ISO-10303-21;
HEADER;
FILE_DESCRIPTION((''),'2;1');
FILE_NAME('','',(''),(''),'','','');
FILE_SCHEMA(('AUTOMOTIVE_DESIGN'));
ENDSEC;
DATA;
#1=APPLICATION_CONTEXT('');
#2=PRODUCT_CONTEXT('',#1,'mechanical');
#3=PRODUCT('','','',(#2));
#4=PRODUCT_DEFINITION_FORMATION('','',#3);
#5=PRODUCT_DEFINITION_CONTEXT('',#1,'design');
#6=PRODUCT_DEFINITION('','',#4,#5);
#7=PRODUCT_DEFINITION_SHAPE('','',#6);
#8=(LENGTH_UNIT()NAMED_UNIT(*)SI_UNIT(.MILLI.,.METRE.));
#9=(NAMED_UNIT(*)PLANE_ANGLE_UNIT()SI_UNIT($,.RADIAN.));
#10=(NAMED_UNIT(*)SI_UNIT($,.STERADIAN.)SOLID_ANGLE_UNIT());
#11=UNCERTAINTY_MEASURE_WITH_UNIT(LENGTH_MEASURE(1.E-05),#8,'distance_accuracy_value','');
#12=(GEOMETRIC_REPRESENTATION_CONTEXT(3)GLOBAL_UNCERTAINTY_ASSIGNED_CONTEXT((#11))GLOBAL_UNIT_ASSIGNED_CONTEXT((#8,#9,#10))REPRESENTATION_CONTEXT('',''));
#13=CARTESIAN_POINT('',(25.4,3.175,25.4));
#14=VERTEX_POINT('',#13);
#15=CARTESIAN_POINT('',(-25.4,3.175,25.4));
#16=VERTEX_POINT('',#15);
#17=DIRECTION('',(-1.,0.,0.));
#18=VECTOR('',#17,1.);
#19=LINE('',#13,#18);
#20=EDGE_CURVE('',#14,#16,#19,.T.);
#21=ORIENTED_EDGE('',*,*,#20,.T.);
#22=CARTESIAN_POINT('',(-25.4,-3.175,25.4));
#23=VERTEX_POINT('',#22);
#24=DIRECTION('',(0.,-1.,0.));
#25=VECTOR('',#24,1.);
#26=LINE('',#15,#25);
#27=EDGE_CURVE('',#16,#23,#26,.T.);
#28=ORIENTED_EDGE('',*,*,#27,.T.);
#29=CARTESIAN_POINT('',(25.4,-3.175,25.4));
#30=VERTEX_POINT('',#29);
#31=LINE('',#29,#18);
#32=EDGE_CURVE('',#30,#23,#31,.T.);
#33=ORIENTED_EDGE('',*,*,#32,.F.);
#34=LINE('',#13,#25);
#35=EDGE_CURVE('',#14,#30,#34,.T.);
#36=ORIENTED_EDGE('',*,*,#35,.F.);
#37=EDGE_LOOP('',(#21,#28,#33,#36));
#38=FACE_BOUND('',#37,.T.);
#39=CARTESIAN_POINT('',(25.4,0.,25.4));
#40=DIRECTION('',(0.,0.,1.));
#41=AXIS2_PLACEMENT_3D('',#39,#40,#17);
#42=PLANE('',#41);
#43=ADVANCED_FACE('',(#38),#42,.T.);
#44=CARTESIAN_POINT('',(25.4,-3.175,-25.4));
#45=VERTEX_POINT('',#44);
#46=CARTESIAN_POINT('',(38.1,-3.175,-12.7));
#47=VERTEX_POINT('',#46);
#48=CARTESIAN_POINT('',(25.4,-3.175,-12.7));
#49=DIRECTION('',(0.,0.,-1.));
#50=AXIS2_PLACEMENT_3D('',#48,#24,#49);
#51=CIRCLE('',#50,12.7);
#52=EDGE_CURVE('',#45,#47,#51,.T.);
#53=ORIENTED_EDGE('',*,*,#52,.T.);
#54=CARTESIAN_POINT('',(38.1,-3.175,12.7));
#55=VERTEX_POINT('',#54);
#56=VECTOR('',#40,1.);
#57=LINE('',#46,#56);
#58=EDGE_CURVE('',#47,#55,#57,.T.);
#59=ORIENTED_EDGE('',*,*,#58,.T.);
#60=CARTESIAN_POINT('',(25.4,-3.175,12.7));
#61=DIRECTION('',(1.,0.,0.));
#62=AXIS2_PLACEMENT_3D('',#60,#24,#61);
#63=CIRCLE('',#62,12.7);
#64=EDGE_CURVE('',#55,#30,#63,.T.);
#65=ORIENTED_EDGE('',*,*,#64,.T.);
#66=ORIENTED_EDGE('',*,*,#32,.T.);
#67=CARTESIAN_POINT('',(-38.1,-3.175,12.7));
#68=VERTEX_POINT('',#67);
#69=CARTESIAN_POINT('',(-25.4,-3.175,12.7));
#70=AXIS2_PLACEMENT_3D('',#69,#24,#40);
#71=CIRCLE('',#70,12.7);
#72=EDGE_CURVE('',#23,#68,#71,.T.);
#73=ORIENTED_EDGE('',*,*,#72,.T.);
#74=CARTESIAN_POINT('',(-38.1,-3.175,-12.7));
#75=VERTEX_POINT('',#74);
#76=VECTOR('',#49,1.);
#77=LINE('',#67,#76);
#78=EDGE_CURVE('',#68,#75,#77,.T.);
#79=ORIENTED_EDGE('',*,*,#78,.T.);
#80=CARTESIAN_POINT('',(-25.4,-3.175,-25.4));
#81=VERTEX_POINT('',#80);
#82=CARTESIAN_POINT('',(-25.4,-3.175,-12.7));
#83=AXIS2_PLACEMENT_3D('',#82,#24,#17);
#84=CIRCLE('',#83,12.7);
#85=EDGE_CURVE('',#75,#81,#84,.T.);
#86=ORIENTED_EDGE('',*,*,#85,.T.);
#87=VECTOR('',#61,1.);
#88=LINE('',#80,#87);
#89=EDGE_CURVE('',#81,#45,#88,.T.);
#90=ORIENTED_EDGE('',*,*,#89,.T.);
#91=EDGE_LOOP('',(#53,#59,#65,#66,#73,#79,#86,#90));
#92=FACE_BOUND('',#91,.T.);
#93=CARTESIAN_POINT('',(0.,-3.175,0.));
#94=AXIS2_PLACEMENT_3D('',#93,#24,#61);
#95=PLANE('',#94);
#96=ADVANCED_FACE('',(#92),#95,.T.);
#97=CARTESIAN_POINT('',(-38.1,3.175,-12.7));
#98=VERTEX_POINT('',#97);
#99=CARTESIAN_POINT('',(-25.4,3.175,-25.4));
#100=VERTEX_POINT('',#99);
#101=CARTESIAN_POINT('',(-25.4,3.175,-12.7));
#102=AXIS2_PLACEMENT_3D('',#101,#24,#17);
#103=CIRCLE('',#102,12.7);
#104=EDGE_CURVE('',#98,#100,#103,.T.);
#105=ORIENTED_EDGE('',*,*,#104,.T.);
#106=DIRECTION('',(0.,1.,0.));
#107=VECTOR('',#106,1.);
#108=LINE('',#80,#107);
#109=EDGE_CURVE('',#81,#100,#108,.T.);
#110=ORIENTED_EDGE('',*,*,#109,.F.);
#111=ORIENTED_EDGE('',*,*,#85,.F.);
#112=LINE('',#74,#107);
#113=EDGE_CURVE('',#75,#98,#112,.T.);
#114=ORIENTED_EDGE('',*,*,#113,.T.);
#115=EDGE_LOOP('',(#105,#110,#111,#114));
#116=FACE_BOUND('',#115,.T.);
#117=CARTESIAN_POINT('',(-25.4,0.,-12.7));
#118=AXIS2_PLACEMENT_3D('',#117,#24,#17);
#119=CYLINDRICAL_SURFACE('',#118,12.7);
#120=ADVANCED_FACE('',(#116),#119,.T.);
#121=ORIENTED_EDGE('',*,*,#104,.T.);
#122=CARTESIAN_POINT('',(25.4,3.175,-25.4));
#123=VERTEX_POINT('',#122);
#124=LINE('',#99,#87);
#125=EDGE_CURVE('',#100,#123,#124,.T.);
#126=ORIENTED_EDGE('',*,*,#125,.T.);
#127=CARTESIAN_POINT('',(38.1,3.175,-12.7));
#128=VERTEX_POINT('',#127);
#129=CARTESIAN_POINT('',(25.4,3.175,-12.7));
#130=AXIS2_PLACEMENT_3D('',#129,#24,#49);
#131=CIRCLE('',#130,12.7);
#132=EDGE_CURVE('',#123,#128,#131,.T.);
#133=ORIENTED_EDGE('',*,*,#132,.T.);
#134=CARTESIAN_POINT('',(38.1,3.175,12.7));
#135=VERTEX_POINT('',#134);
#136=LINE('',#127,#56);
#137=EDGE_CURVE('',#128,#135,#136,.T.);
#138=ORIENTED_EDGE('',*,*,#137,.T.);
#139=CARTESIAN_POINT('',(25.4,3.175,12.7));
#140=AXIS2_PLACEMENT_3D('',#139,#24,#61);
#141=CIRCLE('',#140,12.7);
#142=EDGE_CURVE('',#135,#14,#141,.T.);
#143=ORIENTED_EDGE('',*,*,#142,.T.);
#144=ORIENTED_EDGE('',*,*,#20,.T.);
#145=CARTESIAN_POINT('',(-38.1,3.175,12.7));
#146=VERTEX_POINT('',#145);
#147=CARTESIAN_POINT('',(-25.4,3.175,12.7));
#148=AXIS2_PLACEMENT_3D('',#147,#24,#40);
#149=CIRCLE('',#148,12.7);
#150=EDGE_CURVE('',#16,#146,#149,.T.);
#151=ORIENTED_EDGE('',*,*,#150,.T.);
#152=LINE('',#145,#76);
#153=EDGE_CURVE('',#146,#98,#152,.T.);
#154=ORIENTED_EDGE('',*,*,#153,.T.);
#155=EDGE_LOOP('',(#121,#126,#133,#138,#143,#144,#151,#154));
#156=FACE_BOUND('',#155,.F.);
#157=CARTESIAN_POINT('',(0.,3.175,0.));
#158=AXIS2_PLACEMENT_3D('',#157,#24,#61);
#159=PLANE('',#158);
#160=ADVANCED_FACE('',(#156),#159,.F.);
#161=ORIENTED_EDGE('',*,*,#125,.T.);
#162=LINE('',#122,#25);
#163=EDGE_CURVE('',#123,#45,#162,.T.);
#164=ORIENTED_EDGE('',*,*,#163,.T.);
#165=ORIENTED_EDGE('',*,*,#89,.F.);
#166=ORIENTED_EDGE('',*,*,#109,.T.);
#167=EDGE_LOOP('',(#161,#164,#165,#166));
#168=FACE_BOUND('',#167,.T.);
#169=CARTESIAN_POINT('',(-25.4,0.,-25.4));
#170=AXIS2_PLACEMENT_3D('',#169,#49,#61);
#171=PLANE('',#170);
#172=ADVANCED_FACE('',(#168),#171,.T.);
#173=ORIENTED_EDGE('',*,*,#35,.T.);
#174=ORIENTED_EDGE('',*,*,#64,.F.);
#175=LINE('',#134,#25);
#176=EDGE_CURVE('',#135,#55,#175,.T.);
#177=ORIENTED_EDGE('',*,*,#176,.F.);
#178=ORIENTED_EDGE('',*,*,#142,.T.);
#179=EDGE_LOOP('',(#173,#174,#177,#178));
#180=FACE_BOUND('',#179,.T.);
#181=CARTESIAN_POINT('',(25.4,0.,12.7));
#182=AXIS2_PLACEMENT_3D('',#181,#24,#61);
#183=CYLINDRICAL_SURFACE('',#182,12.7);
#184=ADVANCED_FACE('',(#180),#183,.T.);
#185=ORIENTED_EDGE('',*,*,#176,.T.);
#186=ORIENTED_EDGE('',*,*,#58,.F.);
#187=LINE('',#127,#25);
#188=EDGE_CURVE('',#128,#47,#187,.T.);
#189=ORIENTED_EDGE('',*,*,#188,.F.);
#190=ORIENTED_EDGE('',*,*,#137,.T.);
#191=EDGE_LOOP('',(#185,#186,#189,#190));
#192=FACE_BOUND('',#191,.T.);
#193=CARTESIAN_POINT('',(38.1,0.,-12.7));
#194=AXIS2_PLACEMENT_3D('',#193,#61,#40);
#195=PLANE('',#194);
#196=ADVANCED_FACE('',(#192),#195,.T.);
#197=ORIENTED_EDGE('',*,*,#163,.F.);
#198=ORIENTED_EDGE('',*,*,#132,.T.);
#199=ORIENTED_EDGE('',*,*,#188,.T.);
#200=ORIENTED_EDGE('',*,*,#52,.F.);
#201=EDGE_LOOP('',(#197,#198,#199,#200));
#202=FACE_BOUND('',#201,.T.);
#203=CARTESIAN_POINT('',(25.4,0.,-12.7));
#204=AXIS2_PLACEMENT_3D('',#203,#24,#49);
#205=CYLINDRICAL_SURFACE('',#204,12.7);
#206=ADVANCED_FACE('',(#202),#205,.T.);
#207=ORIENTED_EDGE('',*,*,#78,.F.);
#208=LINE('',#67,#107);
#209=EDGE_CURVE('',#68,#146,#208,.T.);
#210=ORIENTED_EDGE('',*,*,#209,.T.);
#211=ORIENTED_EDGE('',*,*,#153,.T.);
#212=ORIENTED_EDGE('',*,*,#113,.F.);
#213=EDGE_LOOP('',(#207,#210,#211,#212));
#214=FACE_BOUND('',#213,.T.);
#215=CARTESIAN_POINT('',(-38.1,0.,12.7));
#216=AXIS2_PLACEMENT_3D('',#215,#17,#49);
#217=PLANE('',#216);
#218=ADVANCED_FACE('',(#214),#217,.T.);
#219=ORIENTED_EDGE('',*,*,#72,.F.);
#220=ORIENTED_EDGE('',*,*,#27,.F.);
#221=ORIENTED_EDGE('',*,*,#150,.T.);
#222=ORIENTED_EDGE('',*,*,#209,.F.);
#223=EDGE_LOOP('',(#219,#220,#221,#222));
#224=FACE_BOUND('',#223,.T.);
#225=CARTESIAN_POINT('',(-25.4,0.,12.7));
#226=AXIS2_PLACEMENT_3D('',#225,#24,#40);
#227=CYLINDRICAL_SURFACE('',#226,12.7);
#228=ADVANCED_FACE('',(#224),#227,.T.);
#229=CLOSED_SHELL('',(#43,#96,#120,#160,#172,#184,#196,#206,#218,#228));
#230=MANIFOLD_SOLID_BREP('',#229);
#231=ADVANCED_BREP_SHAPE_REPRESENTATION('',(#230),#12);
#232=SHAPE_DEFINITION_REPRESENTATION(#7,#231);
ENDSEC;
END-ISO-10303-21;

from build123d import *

# Parameters (mm, degrees)
F1_DEPTH = 3.175


with BuildPart() as f1:
    # F0 (on Front) → F1 (new body, symmetric)
    with BuildSketch(Plane.XZ):
        with BuildLine():
            Line((-25.4, -25.4), (25.4, -25.4))
            ThreePointArc((25.4, -25.4), (34.3802561211, -21.6802561211), (38.1, -12.7))
            Line((38.1, -12.7), (38.1, 12.7))
            ThreePointArc((38.1, 12.7), (34.3802561211, 21.6802561211), (25.4, 25.4))
            Line((25.4, 25.4), (-25.4, 25.4))
            ThreePointArc((-25.4, 25.4), (-34.3802561211, 21.6802561211), (-38.1, 12.7))
            Line((-38.1, 12.7), (-38.1, -12.7))
            ThreePointArc((-38.1, -12.7), (-34.3802561211, -21.6802561211), (-25.4, -25.4))
        make_face()
    extrude(amount=F1_DEPTH, both=True)


solid = f1.part
